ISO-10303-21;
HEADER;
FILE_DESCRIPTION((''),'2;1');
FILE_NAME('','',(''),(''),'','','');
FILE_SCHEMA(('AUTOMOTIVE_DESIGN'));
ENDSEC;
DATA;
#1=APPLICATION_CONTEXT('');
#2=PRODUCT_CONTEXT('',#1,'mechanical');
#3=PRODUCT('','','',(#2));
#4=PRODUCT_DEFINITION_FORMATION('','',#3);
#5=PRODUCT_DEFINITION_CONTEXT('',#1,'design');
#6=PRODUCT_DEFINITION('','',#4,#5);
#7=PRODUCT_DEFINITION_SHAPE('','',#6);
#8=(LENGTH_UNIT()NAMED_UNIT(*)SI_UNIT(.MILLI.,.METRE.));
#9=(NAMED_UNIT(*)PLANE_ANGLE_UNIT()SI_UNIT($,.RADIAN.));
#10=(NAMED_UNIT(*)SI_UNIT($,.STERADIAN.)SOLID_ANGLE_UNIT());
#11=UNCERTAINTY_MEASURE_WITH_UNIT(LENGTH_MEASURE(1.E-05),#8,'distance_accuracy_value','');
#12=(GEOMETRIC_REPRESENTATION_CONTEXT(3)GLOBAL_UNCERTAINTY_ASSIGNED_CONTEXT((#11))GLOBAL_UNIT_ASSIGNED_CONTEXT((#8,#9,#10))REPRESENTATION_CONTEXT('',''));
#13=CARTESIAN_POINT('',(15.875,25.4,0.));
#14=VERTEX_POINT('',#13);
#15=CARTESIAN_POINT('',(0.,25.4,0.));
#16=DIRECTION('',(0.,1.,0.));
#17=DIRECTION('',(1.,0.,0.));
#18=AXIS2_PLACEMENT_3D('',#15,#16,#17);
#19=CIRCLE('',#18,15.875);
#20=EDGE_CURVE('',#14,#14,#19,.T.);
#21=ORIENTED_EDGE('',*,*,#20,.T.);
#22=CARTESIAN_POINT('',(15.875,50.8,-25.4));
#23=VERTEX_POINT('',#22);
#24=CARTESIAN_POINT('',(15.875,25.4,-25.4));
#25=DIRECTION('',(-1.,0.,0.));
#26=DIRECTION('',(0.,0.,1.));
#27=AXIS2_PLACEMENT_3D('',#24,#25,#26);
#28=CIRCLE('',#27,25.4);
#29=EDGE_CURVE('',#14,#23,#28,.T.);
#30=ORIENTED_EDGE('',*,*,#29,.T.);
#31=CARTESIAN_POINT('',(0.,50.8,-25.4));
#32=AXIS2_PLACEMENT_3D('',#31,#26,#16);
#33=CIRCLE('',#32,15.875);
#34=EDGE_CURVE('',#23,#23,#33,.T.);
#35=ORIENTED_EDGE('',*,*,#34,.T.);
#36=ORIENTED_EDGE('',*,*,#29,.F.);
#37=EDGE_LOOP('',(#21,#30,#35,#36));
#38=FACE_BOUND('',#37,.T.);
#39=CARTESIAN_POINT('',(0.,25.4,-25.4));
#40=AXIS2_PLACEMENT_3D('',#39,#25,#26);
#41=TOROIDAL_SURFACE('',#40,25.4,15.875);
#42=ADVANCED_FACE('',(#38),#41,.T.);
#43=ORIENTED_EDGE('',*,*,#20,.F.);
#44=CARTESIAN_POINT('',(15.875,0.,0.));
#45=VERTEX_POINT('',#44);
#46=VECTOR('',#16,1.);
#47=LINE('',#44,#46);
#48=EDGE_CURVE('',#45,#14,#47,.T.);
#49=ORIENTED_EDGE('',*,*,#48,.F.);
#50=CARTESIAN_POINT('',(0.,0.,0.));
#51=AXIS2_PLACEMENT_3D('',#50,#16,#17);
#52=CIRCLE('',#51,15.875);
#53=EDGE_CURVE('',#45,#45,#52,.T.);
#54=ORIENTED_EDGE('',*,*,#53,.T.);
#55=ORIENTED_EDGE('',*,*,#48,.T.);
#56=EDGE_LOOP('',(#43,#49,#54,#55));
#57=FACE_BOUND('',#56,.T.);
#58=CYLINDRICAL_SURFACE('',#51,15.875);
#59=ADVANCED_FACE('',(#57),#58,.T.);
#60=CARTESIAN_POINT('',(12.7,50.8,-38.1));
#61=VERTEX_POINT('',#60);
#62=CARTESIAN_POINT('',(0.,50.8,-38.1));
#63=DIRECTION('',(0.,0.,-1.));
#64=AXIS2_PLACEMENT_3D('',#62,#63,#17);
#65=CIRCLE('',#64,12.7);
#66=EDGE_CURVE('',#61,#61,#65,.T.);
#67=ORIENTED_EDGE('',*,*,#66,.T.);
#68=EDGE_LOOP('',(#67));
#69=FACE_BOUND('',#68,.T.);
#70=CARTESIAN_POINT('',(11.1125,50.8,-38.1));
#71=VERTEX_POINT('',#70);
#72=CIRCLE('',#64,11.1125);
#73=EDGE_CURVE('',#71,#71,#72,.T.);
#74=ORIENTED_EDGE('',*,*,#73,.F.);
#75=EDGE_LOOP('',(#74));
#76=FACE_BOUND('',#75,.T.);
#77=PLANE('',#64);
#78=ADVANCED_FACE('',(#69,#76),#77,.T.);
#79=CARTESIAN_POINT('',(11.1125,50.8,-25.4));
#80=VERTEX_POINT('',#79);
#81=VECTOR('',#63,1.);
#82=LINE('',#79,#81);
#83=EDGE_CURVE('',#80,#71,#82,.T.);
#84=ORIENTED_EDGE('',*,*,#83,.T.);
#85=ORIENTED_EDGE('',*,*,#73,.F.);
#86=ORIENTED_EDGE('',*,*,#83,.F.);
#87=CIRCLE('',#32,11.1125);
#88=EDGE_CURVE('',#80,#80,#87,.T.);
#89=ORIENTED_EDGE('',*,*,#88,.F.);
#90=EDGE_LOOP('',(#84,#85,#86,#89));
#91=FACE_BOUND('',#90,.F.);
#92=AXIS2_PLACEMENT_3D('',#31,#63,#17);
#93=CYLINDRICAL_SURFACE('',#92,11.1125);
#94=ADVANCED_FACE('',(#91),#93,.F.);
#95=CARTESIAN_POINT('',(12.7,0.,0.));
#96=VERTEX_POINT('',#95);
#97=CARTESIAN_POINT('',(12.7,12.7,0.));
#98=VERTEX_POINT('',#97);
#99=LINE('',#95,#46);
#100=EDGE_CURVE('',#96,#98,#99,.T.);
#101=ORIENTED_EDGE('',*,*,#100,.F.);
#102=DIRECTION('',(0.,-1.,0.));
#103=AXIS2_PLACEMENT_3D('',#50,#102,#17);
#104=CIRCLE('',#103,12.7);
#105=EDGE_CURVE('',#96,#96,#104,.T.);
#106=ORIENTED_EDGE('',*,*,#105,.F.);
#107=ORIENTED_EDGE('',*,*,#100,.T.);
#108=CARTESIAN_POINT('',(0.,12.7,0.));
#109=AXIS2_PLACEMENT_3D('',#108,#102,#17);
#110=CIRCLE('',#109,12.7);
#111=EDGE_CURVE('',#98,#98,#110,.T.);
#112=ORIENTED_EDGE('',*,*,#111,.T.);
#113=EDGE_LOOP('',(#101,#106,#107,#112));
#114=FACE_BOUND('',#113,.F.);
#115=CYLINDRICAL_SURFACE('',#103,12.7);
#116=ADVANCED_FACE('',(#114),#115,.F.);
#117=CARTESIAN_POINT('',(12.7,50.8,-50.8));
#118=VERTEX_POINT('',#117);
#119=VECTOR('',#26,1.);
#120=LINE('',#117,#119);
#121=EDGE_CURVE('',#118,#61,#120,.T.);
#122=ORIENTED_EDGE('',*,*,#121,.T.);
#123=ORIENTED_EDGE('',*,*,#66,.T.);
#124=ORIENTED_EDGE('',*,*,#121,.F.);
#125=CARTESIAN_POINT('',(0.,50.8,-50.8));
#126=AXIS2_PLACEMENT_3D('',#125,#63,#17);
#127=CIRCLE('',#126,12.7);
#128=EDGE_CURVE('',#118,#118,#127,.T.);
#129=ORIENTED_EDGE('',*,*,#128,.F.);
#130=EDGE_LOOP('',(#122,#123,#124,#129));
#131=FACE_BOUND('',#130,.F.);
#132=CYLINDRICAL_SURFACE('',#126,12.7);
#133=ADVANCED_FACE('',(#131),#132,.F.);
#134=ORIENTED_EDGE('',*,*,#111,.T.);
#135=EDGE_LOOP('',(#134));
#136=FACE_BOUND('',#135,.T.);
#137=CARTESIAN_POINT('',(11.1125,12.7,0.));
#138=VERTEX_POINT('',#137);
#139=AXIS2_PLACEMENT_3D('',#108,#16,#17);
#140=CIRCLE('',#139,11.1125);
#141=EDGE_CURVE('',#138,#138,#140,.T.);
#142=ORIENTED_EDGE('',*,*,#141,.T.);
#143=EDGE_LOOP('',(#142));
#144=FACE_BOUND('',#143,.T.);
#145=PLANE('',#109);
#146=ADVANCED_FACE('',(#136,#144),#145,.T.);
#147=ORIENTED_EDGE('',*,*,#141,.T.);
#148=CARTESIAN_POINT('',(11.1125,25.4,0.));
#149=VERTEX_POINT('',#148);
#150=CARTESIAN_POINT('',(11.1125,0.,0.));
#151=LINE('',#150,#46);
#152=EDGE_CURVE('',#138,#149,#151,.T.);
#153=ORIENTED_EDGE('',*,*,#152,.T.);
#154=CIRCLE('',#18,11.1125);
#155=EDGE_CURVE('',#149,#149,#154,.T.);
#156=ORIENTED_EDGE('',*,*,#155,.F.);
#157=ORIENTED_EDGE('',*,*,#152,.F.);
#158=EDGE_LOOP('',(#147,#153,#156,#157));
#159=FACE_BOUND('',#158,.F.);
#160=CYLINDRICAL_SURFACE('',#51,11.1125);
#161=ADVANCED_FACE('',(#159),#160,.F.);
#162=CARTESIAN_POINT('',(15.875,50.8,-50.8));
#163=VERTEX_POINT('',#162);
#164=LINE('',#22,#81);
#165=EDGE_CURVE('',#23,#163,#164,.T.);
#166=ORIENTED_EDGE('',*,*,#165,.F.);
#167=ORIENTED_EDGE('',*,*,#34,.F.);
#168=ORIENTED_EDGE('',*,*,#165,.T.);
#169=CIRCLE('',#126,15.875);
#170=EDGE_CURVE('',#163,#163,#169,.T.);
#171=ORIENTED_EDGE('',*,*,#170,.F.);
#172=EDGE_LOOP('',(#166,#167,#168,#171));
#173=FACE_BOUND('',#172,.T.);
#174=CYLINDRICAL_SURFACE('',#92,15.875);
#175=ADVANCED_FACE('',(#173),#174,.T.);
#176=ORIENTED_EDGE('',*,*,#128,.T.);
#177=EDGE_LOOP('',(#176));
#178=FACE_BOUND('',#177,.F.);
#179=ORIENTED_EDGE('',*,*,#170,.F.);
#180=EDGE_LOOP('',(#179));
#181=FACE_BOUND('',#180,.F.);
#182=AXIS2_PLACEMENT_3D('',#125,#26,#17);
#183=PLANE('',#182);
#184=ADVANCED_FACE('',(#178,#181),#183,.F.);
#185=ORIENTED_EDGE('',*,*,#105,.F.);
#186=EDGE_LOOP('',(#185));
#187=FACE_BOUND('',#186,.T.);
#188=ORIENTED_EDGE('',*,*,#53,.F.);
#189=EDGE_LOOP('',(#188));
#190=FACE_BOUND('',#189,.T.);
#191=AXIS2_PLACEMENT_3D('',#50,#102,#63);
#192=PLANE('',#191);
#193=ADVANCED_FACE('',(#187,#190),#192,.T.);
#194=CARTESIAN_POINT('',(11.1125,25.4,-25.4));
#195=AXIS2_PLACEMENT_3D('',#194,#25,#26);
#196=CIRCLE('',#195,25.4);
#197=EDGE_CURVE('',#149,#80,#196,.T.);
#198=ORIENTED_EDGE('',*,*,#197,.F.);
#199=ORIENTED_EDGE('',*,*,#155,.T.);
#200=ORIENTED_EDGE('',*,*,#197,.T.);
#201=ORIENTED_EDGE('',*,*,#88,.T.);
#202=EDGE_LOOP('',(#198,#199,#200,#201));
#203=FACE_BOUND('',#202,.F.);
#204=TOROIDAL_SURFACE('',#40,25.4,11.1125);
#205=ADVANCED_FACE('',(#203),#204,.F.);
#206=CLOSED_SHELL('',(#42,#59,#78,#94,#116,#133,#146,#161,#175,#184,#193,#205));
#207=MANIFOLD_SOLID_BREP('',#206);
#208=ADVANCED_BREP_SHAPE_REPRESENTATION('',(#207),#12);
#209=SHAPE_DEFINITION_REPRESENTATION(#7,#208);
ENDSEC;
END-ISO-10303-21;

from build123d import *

# Parameters (mm, degrees)
F0_R     = 15.875
F0_R_2   = 11.1125
F3_R     = 12.7
F4_DEPTH = 12.7
F5_R     = 12.7
F5_R_2   = 11.1125
F6_DEPTH = 12.7


with BuildPart() as f2:
    # F2: sweep along a path in F1
    with BuildLine(Plane.YZ) as f2_path:
        Line((0, 0), (25.4, 0))
        ThreePointArc((25.4, 0), (43.3605122421, -7.4394877579), (50.8, -25.4))
        Line((50.8, -25.4), (50.8, -50.8))
    # F0 (on Front) → F2 (sweep)
    with BuildSketch(Plane.XZ):
        Circle(F0_R)
        Circle(F0_R_2, mode=Mode.SUBTRACT)
    sweep(path=f2_path.line)

    # F3 (on Front) → F4 (cut)
    with BuildSketch(Plane.XZ):
        Circle(F3_R)
    extrude(amount=-F4_DEPTH, mode=Mode.SUBTRACT)

    # F5 (on face) → F6 (cut)
    with BuildSketch(Plane(origin=(0, 0, -50.8), x_dir=(1, 0, 0), z_dir=(0, 0, -1))):
        with Locations((0, -50.8)):
            Circle(F5_R)
        with Locations((0, -50.8)):
            Circle(F5_R_2, mode=Mode.SUBTRACT)
    extrude(amount=-F6_DEPTH, mode=Mode.SUBTRACT)


solid = f2.part
